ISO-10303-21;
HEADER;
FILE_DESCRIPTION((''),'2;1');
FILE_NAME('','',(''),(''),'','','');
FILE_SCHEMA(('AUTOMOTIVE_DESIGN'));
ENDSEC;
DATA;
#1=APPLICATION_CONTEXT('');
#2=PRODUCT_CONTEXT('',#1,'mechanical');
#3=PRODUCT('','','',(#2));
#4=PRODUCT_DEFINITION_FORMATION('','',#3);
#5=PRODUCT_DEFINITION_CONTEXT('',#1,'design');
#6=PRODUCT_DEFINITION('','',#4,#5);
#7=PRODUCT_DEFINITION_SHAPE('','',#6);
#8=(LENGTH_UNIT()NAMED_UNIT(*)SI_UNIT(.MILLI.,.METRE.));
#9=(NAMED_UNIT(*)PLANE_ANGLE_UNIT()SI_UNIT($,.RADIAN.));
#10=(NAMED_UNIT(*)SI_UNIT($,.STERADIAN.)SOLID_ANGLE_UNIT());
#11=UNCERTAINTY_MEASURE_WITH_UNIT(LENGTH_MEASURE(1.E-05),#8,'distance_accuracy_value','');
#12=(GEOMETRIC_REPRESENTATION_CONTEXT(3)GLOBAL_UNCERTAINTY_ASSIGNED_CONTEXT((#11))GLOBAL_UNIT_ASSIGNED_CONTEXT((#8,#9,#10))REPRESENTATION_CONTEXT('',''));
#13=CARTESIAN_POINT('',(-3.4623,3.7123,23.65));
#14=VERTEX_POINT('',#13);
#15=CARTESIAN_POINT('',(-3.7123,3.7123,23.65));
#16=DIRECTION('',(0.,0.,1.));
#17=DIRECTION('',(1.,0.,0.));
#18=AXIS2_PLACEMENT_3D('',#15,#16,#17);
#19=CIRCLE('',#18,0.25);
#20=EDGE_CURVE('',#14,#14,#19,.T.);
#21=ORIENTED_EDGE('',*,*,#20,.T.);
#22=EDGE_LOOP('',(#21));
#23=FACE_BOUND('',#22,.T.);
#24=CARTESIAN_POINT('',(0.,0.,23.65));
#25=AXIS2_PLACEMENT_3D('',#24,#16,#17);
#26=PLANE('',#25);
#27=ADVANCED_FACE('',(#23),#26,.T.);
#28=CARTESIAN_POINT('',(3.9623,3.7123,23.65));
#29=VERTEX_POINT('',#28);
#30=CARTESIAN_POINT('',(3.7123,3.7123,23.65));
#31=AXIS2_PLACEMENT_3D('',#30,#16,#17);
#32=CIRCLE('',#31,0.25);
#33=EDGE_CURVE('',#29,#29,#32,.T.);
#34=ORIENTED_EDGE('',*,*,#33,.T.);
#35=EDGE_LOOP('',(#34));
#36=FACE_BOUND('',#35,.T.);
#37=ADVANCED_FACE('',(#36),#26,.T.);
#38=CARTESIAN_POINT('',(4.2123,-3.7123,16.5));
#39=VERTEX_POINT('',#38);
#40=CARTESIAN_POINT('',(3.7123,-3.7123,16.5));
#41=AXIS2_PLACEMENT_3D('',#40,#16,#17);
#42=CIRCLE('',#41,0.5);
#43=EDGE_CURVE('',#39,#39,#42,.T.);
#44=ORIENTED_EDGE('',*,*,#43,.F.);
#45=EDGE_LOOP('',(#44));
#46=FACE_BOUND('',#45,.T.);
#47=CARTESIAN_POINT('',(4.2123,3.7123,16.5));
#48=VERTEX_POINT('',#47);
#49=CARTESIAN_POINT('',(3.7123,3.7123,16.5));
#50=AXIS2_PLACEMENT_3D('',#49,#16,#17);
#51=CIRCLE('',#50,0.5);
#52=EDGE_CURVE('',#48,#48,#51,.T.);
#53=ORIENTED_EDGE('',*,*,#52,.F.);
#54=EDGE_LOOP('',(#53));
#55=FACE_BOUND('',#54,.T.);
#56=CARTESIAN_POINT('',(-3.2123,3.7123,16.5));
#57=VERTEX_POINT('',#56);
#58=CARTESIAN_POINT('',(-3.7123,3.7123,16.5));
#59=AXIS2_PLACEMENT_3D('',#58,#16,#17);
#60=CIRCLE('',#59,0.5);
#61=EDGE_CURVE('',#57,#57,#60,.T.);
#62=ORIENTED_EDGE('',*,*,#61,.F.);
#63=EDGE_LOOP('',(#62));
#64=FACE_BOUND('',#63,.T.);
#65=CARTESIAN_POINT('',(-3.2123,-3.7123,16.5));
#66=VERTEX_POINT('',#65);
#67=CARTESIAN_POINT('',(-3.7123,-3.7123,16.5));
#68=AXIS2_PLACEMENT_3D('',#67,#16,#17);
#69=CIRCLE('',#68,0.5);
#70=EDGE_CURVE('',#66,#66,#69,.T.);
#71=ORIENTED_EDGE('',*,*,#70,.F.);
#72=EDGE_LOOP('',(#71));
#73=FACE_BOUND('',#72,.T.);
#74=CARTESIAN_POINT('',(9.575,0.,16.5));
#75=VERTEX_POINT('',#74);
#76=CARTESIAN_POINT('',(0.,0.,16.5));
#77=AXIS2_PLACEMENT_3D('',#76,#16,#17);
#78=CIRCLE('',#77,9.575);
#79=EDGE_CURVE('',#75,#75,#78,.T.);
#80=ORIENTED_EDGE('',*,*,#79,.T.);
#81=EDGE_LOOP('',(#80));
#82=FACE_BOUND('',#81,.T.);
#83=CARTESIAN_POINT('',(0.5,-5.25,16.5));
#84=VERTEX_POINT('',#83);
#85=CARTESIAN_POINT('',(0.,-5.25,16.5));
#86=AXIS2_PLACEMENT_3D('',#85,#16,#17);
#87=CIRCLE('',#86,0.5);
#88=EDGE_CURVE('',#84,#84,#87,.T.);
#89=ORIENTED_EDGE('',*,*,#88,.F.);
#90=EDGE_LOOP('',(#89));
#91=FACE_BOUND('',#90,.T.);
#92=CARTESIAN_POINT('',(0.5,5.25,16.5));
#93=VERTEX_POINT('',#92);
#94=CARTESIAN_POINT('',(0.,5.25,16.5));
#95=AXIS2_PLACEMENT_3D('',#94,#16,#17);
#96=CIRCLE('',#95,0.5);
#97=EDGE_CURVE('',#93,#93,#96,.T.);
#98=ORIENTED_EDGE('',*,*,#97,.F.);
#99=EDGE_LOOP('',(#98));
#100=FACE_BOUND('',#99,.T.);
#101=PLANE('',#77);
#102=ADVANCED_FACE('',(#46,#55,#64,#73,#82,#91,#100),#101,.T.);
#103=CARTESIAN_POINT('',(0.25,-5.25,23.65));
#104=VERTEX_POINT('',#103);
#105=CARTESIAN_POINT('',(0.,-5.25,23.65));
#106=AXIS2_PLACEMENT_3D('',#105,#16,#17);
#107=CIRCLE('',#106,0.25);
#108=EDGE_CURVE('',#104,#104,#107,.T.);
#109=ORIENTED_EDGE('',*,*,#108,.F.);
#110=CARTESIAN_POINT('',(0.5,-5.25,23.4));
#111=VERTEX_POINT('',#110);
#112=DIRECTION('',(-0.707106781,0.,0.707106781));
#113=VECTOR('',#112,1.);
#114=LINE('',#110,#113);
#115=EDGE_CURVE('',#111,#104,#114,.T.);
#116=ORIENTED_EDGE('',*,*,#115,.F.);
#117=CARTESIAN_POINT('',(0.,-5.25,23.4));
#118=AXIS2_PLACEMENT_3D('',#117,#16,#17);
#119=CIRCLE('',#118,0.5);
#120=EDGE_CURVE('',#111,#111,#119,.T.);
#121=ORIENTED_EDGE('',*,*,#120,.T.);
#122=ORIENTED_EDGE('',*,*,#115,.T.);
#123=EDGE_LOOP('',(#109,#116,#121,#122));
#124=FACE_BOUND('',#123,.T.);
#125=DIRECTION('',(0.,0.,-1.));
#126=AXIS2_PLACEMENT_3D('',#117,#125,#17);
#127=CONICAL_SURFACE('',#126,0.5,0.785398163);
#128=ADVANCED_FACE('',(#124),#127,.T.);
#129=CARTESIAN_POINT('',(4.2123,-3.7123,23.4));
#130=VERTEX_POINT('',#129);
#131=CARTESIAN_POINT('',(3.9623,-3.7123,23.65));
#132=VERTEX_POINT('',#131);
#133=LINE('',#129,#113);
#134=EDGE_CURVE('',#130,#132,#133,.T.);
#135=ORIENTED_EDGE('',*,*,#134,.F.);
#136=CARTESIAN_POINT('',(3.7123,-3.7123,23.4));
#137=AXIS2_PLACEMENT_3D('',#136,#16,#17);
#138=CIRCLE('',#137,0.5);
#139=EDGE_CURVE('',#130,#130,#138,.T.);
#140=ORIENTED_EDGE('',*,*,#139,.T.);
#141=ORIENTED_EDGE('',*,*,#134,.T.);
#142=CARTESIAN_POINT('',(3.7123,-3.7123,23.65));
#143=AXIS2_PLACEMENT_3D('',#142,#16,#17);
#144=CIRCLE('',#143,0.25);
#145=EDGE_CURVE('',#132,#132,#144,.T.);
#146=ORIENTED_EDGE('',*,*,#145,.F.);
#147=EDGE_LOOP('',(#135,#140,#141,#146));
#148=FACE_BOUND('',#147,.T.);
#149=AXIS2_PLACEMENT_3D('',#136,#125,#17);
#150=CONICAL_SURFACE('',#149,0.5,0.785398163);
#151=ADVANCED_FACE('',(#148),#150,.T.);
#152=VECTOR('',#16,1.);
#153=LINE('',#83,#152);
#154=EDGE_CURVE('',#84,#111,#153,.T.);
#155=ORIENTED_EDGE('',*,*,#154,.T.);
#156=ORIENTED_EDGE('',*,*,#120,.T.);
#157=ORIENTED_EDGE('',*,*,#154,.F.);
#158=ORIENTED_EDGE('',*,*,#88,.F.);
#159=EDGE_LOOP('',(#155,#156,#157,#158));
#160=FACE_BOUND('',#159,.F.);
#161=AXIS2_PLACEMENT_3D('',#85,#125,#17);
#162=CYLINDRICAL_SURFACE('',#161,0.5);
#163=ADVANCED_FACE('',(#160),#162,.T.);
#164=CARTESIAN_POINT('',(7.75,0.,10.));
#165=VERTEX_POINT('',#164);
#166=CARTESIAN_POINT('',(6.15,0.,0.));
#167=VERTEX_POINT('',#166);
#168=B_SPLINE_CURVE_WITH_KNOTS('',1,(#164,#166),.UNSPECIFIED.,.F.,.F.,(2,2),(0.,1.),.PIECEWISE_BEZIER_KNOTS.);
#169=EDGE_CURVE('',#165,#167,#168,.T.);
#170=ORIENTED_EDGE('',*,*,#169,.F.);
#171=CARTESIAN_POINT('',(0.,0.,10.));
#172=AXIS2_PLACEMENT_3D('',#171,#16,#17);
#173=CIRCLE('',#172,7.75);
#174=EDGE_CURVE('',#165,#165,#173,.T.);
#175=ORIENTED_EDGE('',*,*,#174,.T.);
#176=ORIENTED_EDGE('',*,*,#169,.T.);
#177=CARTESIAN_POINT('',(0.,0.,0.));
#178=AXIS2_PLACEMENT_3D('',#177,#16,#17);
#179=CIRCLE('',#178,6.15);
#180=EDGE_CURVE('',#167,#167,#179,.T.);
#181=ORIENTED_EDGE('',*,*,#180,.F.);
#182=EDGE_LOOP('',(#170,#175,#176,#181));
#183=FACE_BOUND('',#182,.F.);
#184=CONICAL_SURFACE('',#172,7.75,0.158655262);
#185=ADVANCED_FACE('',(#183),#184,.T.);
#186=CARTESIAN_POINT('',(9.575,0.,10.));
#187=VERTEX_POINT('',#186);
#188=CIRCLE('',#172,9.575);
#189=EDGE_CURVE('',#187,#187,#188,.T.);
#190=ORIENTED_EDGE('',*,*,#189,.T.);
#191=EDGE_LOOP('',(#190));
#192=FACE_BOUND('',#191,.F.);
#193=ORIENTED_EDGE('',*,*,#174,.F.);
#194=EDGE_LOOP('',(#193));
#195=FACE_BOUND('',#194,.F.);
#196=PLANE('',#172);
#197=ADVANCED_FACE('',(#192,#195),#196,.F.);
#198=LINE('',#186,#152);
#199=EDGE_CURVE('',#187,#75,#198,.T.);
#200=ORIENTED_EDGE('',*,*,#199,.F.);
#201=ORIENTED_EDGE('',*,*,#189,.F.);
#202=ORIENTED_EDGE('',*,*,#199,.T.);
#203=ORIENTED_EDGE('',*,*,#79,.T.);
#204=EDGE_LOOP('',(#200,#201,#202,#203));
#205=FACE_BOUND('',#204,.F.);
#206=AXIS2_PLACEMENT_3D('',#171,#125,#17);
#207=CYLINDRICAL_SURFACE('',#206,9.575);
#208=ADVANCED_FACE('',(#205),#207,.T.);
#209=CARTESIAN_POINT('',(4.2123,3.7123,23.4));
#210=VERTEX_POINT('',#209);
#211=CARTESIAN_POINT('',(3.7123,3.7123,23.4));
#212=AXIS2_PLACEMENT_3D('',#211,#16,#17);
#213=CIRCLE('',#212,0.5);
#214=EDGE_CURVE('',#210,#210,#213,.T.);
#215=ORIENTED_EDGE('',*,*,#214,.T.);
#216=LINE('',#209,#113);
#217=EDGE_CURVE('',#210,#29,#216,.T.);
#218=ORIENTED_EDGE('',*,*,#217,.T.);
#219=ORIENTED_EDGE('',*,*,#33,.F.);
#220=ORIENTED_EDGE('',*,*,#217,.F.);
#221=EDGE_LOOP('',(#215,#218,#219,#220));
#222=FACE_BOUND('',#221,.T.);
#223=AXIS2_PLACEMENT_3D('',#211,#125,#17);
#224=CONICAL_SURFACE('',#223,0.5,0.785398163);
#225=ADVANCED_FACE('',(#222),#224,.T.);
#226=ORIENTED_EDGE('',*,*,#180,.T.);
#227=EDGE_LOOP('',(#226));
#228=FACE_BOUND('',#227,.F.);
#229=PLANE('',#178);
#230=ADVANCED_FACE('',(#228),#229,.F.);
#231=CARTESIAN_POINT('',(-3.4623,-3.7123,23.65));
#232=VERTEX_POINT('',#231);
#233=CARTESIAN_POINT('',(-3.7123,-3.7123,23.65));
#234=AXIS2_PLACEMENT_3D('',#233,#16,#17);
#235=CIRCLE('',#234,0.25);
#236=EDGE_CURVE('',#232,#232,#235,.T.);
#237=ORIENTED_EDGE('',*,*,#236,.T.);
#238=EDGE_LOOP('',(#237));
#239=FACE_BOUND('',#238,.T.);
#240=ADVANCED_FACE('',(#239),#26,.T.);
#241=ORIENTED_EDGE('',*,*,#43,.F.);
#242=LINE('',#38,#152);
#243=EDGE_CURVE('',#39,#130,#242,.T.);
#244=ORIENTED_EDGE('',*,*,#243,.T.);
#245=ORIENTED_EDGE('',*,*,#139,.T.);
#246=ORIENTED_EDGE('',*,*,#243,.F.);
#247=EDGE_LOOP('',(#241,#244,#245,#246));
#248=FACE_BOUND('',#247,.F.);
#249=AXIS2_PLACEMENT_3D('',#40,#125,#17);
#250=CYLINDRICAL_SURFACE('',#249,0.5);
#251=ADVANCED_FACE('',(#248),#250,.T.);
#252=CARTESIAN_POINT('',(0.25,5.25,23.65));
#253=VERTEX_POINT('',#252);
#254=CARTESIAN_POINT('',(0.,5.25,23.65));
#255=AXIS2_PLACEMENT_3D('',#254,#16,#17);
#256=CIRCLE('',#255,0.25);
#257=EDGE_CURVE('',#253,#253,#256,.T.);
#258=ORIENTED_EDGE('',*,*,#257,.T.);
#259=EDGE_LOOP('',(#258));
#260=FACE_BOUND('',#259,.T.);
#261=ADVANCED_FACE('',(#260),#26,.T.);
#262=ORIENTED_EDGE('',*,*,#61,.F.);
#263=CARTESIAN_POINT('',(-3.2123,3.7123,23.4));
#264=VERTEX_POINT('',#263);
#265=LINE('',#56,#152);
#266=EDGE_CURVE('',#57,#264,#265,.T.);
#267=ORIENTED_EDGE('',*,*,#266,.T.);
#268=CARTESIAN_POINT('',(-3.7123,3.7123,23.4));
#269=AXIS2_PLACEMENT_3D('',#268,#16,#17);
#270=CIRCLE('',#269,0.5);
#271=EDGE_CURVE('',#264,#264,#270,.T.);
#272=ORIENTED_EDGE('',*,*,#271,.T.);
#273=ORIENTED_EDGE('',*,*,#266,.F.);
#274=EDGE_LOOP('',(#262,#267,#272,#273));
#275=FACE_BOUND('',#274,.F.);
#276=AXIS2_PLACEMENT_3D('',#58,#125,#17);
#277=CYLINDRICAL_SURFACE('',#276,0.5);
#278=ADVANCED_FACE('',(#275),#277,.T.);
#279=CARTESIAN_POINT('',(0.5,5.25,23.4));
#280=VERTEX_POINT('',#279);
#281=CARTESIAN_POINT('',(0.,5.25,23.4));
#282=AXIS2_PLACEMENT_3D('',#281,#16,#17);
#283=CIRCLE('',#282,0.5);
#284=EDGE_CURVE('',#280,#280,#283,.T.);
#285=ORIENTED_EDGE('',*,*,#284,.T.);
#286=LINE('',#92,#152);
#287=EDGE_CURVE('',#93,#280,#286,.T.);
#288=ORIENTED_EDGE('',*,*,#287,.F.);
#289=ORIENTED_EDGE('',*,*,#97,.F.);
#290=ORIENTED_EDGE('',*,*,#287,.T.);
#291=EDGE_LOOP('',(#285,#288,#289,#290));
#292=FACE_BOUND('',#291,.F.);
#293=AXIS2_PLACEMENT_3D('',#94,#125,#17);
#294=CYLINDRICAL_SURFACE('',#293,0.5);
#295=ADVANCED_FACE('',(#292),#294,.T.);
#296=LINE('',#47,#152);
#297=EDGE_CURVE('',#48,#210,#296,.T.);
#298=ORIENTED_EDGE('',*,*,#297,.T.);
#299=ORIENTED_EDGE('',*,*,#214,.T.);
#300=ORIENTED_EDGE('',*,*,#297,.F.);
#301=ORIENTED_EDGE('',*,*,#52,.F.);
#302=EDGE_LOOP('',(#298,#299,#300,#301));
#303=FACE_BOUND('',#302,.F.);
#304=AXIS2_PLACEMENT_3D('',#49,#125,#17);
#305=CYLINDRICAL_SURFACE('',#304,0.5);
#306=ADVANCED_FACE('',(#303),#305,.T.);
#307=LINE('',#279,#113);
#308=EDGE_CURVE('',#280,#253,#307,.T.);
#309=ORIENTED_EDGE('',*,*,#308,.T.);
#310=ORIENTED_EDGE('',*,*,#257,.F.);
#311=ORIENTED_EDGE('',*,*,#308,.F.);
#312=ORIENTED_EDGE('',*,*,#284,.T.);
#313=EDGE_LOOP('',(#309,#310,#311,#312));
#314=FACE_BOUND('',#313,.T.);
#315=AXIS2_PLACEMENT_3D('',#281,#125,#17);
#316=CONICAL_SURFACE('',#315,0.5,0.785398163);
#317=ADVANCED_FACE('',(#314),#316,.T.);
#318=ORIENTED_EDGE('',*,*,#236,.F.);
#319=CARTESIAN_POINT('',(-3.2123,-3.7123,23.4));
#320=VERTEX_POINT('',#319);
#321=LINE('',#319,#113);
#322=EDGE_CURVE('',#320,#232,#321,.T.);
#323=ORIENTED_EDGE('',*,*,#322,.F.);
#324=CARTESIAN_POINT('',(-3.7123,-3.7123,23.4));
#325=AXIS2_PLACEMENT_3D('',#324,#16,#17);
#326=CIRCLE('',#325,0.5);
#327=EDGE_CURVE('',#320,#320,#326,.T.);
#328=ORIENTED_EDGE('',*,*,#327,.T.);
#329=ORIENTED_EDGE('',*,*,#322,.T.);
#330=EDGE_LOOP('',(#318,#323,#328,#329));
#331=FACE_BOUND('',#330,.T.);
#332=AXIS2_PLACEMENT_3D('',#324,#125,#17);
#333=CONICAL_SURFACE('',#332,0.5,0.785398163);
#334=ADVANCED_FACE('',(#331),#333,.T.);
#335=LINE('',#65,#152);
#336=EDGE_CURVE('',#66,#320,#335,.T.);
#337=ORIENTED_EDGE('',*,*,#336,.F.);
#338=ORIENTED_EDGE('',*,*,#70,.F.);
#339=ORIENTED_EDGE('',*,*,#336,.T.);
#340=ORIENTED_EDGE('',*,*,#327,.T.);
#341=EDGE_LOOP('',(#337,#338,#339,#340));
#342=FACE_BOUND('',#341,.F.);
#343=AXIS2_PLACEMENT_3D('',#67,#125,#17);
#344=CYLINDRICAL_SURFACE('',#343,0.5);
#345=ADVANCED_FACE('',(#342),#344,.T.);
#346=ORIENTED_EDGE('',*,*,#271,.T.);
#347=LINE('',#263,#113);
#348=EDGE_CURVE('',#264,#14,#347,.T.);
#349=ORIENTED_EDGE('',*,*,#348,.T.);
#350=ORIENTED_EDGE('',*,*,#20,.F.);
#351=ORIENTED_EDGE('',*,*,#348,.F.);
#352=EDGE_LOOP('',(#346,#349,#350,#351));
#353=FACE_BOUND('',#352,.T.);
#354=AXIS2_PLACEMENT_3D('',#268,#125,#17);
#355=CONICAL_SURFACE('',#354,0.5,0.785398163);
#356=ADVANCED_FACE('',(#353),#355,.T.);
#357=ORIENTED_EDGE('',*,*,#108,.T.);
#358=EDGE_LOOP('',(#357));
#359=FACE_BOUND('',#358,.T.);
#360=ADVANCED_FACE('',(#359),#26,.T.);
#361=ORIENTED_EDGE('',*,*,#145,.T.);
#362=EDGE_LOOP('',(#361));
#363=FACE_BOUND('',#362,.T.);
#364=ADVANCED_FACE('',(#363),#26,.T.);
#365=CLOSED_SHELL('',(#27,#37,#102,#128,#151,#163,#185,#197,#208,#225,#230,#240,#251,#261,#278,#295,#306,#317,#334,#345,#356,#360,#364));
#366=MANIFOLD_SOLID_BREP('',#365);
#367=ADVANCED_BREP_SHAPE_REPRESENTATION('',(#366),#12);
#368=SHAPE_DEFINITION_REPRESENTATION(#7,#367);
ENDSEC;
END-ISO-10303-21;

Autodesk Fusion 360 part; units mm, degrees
sketch "Sketch1" plane through (0, 0, 0) normal (0, 0, 1) x (1, 0, 0)
  circle A0 centre (0, 0) radius 6.15
  dimension "d1" = 12.3
ref_plane "WorkPlane1" through (0, 0, 10) normal (0, 0, 1) x (1, 0, 0)
sketch "Sketch2" plane through (0, 0, 10) normal (0, 0, 1) x (1, 0, 0)
  circle A0 centre (0, 0) radius 7.75
  dimension "d3" = 15.5
loft "Loft1" add profiles "Sketch2", "Sketch1" section 1 section 2
sketch "Sketch3" plane through (0, 0, 10) normal (0, 0, 1) x (1, 0, 0)
  circle A0 centre (0, 0) radius 7.75
  circle A1 centre (0, 0) radius 9.575
  dimension "d4" = 19.15
extrude "Extrude1" add sketch "Sketch3" along normal blind 6.5 contours A0 | A1
sketch "Sketch4" plane through (0, 0, 16.5) normal (0, 0, 1) x (1, 0, 0)
  circle A0 centre (0, 0) radius 9.575
  circle A1 centre (0, 0) radius 5.25 construction
  line L0 (0, 5.25) -> (0, -5.25) construction
  circle A2 centre (0, 5.25) radius 0.5
  circle A3 centre (-3.7123, 3.7123) radius 0.5
  circle A4 centre (-3.7123, -3.7123) radius 0.5
  circle A5 centre (0, -5.25) radius 0.5
  circle A6 centre (3.7123, -3.7123) radius 0.5
  circle A7 centre (3.7123, 3.7123) radius 0.5
  dimension "d7" = 10.5
  dimension "d8" = 1
  dimension "d10" = 360
extrude "Extrude2" add sketch "Sketch4" along normal blind 7.15 contours A2 | A3 | A4 | A5 | A6 | A7
chamfer "Chamfer1" distance 0.25 angle 45 6 edges at (3.2461, 3.5315, 23.65) (-0.4662, 5.0692, 23.65) (-4.1785, 3.5315, 23.65) (-4.1785, -3.8931, 23.65) (-0.4662, -5.4308, 23.65) (3.2461, -3.8931, 23.65)
